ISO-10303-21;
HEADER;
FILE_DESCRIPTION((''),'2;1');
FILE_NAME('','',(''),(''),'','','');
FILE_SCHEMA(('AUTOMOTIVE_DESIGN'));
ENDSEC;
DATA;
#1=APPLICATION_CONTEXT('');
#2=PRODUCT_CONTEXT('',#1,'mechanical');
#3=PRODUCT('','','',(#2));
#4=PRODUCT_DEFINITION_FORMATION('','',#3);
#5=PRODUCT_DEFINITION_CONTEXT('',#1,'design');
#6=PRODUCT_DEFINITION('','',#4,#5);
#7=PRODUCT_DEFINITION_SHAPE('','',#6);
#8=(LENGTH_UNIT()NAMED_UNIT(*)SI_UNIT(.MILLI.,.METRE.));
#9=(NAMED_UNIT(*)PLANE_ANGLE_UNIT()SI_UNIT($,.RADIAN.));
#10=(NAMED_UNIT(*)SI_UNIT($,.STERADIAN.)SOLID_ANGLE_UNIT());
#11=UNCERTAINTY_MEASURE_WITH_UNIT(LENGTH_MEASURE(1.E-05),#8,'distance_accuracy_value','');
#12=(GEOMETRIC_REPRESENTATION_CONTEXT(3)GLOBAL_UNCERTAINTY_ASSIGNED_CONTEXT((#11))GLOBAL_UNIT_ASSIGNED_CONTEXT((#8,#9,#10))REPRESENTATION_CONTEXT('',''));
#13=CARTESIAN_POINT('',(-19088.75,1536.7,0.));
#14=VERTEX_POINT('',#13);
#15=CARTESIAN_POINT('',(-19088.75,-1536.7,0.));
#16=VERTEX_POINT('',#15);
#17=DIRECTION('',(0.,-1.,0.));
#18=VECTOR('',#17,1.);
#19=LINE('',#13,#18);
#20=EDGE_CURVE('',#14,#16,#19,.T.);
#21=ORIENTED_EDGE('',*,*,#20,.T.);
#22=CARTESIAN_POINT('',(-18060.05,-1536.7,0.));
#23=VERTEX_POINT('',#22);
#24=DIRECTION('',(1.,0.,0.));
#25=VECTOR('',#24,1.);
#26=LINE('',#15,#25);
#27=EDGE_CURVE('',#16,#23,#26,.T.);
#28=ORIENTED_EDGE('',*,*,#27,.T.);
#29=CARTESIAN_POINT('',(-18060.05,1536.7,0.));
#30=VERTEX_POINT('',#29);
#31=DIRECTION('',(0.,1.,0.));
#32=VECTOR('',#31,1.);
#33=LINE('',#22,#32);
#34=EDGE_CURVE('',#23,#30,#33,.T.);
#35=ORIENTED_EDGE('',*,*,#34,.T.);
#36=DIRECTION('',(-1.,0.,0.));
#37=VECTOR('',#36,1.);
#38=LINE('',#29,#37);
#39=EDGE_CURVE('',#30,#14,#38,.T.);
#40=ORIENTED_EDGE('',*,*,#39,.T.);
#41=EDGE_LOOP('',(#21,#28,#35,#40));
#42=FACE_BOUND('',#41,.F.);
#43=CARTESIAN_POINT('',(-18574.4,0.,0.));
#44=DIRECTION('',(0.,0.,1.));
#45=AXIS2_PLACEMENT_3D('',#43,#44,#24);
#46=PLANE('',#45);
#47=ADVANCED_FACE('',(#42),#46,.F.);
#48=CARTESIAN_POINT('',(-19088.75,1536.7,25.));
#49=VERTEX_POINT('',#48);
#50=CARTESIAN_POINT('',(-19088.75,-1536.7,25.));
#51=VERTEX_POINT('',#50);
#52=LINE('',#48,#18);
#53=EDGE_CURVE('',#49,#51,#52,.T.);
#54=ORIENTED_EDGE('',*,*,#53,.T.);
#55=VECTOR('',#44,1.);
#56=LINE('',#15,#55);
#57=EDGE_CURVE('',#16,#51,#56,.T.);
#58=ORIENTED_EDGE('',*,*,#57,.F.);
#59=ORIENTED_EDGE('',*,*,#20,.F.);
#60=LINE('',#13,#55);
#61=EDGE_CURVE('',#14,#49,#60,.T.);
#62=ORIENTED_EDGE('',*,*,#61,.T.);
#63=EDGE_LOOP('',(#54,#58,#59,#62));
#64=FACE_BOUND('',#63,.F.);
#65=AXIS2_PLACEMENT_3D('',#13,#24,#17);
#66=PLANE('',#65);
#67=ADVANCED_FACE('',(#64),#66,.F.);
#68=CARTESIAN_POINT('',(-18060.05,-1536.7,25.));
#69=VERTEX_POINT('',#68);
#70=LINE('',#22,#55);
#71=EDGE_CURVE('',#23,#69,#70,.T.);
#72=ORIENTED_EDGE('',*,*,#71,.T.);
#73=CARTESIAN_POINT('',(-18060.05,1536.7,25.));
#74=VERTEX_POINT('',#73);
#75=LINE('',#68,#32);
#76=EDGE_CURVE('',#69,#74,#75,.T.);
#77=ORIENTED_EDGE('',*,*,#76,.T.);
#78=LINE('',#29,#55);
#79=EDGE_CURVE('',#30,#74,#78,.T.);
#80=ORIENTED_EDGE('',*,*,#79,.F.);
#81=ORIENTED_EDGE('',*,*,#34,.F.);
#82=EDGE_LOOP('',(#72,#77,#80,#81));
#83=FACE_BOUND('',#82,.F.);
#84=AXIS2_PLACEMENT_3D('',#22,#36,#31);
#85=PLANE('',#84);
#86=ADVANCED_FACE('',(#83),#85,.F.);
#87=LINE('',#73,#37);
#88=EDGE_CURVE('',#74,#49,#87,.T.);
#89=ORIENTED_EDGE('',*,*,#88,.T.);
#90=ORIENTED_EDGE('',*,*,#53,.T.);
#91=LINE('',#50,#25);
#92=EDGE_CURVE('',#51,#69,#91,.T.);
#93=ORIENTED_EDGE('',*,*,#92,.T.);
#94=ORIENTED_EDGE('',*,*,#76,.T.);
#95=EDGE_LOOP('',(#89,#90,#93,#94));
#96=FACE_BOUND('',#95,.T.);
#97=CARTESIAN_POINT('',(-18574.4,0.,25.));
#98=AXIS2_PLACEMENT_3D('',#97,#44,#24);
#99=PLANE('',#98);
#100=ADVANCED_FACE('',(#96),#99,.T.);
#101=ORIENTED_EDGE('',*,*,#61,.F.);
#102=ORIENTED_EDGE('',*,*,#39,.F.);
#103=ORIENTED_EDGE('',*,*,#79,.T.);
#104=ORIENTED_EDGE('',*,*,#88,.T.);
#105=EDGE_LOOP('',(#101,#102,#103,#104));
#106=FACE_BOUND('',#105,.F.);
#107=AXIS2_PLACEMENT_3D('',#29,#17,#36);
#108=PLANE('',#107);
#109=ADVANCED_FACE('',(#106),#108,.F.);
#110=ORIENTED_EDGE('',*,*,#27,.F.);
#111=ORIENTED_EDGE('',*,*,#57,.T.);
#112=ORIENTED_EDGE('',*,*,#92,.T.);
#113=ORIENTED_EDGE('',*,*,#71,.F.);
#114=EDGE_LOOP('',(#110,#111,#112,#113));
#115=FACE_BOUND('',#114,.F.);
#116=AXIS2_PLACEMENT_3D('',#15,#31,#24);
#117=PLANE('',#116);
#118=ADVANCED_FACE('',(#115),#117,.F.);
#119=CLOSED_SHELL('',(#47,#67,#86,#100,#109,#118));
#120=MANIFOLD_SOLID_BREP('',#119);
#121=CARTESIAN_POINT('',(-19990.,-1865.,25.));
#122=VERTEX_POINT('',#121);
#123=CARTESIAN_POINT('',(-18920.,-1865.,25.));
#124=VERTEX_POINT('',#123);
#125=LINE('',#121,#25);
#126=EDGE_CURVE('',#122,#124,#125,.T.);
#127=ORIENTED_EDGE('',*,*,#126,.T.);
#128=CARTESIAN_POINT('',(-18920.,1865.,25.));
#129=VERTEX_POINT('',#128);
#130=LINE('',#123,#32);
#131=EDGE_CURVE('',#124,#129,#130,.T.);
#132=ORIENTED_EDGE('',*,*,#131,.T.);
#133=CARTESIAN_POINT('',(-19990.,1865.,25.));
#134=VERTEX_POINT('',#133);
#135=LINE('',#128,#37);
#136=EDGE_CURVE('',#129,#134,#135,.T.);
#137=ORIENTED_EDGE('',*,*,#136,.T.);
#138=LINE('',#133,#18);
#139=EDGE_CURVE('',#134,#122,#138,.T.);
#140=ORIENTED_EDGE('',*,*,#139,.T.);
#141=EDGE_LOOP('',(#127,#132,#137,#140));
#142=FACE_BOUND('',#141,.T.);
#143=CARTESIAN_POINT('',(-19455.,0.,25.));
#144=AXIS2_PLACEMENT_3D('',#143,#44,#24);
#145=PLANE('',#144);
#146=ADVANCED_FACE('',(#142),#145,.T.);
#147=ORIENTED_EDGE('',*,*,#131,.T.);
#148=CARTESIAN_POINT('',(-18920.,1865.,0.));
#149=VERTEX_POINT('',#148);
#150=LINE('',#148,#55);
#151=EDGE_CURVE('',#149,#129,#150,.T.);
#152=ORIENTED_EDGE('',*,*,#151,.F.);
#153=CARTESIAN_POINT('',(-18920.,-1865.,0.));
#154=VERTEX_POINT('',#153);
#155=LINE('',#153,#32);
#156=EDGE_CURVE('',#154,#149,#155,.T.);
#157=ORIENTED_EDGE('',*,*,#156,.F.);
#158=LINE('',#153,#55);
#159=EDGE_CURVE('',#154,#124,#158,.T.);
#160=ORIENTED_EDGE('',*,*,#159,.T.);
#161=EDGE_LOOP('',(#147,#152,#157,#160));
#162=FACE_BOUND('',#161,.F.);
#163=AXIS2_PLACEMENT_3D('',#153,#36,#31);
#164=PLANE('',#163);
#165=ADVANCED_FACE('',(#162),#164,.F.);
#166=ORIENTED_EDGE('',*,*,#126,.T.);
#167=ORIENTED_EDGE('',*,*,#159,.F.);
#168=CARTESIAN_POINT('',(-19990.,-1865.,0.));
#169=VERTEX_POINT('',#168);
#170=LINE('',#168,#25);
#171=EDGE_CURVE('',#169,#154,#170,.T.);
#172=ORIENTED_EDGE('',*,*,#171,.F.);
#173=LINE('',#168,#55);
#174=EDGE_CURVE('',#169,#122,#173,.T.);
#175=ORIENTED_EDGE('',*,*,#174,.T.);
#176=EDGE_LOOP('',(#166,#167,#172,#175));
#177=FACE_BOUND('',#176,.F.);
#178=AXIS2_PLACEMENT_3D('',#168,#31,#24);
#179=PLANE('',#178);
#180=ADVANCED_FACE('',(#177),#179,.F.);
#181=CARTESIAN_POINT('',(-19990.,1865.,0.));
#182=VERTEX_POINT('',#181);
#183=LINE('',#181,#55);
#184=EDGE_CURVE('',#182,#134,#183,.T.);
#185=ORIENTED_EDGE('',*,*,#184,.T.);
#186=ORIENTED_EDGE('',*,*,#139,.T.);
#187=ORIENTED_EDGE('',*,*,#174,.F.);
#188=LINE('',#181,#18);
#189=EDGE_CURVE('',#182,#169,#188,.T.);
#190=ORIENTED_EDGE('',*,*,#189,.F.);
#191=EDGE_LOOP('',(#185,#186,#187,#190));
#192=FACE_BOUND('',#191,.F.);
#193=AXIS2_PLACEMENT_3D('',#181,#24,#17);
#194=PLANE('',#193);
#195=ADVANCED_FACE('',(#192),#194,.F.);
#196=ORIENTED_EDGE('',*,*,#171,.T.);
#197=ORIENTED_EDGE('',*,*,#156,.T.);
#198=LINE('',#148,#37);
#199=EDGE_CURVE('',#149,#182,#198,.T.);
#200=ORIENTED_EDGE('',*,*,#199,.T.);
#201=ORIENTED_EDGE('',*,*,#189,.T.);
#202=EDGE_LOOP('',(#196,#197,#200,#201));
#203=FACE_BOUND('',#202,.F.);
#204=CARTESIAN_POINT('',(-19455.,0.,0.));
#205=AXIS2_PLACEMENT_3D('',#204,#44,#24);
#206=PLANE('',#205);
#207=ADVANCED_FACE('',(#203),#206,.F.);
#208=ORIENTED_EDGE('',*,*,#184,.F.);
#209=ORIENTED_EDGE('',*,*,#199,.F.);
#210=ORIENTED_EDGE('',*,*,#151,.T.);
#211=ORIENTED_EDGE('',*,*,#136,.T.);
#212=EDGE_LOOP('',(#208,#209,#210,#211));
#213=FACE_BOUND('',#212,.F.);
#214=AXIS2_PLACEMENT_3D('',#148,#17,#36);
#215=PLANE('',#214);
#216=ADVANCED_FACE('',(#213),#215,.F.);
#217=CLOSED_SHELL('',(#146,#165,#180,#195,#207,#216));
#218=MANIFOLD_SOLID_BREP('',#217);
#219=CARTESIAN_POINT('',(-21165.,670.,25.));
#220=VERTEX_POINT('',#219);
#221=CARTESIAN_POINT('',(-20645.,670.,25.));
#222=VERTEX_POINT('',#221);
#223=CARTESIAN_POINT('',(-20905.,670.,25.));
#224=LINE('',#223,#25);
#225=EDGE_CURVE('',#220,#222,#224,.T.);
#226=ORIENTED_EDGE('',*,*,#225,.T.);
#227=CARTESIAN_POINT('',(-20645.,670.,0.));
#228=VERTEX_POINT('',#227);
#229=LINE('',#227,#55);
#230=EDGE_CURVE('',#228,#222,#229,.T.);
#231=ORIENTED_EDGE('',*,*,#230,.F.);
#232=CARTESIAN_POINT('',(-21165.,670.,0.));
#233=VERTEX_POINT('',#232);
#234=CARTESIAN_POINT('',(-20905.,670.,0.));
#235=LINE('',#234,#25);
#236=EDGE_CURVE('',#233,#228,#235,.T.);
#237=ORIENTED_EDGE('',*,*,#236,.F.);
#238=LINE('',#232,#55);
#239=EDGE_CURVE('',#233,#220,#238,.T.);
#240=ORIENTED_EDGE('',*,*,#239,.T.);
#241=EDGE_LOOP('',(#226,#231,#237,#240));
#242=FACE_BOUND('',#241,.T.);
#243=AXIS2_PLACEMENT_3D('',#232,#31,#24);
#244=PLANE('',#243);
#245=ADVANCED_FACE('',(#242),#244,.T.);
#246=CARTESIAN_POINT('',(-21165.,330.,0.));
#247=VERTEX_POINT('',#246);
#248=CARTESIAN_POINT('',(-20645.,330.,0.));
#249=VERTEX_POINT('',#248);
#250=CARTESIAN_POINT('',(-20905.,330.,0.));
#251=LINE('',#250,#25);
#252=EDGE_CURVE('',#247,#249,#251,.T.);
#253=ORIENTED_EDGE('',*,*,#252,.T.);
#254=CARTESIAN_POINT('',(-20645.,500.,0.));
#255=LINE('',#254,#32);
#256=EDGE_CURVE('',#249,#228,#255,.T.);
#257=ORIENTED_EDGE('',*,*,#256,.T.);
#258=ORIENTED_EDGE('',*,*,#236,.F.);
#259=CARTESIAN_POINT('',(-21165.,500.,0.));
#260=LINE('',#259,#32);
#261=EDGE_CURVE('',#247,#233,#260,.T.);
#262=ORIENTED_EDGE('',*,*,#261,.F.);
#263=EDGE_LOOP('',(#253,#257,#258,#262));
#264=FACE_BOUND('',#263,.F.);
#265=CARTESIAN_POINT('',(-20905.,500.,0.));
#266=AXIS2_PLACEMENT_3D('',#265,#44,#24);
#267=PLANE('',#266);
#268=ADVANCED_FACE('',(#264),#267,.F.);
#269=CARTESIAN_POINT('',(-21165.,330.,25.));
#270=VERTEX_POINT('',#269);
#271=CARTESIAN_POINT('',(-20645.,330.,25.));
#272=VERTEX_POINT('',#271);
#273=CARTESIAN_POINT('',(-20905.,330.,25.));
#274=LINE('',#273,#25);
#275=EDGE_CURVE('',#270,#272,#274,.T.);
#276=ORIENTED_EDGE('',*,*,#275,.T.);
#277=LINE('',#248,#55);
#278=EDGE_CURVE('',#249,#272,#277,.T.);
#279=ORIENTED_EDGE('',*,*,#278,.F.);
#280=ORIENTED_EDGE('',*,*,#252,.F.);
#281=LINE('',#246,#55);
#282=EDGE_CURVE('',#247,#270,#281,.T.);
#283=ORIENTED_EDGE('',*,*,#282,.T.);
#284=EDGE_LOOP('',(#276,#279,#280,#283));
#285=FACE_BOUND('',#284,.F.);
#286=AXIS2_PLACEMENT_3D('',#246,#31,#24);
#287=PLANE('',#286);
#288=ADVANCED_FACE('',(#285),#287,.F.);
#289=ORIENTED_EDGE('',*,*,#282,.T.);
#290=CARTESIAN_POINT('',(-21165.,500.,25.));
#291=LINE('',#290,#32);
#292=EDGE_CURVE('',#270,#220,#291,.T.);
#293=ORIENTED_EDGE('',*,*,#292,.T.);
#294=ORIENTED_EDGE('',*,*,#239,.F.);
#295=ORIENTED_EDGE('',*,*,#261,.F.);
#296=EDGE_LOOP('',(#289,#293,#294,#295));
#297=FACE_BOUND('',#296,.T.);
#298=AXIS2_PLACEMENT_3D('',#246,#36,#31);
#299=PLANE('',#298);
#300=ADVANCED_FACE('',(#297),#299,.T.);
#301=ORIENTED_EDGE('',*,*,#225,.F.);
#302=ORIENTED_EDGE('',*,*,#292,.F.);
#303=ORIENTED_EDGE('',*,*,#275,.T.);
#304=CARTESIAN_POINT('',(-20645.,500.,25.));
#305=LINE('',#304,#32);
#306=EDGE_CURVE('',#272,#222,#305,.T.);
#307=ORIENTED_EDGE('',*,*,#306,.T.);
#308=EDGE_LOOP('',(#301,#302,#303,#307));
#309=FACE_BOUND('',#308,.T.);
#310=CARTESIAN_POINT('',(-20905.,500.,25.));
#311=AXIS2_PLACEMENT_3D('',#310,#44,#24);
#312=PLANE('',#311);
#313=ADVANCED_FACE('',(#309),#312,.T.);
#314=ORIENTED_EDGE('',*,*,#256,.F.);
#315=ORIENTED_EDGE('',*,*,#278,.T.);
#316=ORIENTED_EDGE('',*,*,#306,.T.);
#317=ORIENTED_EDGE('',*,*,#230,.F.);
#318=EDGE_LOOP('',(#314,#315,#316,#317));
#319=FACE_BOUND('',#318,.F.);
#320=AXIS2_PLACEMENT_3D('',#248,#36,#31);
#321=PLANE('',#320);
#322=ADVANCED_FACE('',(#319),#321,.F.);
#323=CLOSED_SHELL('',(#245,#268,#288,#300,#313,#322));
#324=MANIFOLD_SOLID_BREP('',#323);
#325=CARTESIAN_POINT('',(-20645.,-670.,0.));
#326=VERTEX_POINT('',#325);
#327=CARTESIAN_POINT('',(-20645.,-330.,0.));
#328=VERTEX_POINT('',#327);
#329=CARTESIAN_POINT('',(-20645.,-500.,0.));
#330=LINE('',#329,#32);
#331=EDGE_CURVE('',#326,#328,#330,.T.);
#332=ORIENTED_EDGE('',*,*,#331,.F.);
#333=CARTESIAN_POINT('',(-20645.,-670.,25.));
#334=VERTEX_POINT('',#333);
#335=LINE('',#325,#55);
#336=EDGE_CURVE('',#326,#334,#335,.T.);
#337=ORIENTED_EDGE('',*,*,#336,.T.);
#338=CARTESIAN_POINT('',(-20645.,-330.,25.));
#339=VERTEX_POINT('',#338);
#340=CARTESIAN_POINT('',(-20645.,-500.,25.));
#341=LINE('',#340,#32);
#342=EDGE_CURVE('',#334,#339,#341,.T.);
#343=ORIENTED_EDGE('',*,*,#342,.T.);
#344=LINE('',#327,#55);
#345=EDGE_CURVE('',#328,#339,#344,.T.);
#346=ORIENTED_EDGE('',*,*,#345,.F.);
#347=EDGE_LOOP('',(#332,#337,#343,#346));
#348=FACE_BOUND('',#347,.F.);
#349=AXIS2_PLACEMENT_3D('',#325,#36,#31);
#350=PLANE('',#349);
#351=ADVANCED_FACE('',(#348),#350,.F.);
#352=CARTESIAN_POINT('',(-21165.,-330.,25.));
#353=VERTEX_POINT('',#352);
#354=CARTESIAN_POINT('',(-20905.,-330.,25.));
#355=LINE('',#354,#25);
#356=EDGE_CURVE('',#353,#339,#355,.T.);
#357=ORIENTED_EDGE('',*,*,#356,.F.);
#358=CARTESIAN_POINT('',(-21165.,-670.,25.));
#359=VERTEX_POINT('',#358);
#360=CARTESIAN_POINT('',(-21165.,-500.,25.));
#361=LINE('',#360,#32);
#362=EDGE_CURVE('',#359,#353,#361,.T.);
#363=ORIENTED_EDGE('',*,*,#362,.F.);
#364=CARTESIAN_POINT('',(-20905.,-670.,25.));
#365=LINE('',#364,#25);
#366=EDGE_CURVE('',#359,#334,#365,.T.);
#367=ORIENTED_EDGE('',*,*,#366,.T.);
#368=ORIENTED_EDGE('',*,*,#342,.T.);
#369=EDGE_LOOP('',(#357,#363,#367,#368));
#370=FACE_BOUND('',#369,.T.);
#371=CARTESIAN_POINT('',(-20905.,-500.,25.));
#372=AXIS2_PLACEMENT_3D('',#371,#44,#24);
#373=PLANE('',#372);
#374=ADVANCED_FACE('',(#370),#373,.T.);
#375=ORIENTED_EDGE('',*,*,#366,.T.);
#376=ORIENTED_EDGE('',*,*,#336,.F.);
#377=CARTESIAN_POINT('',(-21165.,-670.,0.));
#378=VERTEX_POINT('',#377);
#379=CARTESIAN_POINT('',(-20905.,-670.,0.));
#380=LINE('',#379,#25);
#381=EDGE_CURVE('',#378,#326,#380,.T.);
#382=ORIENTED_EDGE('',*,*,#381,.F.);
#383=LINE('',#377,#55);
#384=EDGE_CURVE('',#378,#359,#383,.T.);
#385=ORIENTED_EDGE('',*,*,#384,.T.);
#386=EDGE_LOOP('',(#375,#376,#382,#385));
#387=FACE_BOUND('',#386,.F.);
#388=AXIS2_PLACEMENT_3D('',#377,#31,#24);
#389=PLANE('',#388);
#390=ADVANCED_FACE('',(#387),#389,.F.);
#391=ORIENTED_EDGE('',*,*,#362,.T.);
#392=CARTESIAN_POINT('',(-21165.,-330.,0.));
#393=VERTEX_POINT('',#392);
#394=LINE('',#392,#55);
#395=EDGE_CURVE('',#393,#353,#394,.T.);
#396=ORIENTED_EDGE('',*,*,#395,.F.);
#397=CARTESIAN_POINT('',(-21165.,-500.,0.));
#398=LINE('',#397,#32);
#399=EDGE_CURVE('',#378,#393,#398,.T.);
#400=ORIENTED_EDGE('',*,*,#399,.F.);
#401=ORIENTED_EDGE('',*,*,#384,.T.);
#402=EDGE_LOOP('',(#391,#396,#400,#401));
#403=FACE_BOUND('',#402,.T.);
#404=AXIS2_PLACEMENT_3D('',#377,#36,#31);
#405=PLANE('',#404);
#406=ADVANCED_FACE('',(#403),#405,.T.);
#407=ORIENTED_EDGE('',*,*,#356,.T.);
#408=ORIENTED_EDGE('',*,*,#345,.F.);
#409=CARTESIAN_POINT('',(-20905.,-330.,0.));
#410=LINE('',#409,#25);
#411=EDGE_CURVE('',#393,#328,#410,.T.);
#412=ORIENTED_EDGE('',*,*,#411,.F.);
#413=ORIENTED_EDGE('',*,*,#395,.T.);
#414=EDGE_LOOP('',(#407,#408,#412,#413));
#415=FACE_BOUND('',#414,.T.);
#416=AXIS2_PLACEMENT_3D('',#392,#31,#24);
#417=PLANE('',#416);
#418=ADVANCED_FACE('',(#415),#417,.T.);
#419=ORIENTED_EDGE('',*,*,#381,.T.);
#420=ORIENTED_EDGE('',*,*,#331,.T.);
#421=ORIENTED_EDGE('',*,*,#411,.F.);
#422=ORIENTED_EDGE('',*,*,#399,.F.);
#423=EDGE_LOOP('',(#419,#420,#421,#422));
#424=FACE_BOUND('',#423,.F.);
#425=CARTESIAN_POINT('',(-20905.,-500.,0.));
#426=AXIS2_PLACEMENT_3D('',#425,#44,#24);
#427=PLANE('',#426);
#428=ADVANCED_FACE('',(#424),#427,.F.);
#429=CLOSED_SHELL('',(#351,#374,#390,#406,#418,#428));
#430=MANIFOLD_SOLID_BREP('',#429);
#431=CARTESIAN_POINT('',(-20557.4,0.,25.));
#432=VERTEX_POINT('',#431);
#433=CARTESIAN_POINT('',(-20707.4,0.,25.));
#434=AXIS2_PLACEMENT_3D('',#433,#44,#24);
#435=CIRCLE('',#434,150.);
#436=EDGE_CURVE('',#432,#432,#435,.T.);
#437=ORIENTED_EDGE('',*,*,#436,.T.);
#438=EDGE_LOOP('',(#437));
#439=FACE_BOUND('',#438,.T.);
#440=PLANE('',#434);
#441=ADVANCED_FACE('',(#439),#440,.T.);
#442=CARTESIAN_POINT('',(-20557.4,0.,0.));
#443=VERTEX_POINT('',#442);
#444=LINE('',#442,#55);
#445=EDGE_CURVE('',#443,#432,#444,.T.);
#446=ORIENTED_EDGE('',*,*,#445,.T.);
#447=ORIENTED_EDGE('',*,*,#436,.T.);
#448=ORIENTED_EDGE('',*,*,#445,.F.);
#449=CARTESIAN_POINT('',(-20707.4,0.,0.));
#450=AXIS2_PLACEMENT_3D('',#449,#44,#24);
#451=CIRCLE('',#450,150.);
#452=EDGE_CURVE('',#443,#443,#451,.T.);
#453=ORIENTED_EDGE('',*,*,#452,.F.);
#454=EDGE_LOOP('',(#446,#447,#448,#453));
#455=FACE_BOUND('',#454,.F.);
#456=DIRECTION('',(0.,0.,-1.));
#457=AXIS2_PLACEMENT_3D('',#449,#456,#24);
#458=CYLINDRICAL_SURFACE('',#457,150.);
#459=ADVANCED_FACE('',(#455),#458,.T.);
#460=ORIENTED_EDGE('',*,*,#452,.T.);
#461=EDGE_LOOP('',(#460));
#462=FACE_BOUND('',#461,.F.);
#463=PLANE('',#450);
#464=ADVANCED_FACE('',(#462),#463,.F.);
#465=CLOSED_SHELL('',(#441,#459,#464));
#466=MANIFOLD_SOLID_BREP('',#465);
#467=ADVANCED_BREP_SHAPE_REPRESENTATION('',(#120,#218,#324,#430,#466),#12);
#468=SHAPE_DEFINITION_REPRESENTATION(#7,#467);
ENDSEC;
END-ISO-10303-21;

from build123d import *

# Parameters (mm, degrees)
F2_DEPTH = 25
F1_W     = 520
F1_H     = 340
F0_R     = 150


with BuildPart() as f2:
    # F1 (on Top) → F2 (new body)
    with BuildSketch(Plane.XY):
        Polygon((-18920, -1865), (-18920, 0), (-18920, 1865), (-19990, 1865), (-19990, -1865), align=None)
    extrude(amount=F2_DEPTH)


with BuildPart() as f2b:
    # F1 (on Top) → F2, piece 2 (new body)
    with BuildSketch(Plane.XY):
        with Locations((-20905, -500)):
            Rectangle(F1_W, F1_H)
    extrude(amount=F2_DEPTH)


with BuildPart() as f2c:
    # F1 (on Top) → F2, piece 3 (new body)
    with BuildSketch(Plane.XY):
        with Locations((-20905, 500)):
            Rectangle(F1_W, F1_H)
    extrude(amount=F2_DEPTH)


with BuildPart() as f2d:
    # F0 (on Top) → F2, piece 4 (new body)
    with BuildSketch(Plane.XY):
        Polygon((-19088.75, -1536.7), (-18060.05, -1536.7), (-18060.05, 0), (-18060.05, 1536.7), (-19088.75, 1536.7), align=None)
    extrude(amount=F2_DEPTH)


with BuildPart() as f2e:
    # F0 (on Top) → F2, piece 5 (new body)
    with BuildSketch(Plane.XY):
        with Locations((-20707.4, 0)):
            Circle(F0_R)
    extrude(amount=F2_DEPTH)


solid = Compound([f2.part, f2b.part, f2c.part, f2d.part, f2e.part])
